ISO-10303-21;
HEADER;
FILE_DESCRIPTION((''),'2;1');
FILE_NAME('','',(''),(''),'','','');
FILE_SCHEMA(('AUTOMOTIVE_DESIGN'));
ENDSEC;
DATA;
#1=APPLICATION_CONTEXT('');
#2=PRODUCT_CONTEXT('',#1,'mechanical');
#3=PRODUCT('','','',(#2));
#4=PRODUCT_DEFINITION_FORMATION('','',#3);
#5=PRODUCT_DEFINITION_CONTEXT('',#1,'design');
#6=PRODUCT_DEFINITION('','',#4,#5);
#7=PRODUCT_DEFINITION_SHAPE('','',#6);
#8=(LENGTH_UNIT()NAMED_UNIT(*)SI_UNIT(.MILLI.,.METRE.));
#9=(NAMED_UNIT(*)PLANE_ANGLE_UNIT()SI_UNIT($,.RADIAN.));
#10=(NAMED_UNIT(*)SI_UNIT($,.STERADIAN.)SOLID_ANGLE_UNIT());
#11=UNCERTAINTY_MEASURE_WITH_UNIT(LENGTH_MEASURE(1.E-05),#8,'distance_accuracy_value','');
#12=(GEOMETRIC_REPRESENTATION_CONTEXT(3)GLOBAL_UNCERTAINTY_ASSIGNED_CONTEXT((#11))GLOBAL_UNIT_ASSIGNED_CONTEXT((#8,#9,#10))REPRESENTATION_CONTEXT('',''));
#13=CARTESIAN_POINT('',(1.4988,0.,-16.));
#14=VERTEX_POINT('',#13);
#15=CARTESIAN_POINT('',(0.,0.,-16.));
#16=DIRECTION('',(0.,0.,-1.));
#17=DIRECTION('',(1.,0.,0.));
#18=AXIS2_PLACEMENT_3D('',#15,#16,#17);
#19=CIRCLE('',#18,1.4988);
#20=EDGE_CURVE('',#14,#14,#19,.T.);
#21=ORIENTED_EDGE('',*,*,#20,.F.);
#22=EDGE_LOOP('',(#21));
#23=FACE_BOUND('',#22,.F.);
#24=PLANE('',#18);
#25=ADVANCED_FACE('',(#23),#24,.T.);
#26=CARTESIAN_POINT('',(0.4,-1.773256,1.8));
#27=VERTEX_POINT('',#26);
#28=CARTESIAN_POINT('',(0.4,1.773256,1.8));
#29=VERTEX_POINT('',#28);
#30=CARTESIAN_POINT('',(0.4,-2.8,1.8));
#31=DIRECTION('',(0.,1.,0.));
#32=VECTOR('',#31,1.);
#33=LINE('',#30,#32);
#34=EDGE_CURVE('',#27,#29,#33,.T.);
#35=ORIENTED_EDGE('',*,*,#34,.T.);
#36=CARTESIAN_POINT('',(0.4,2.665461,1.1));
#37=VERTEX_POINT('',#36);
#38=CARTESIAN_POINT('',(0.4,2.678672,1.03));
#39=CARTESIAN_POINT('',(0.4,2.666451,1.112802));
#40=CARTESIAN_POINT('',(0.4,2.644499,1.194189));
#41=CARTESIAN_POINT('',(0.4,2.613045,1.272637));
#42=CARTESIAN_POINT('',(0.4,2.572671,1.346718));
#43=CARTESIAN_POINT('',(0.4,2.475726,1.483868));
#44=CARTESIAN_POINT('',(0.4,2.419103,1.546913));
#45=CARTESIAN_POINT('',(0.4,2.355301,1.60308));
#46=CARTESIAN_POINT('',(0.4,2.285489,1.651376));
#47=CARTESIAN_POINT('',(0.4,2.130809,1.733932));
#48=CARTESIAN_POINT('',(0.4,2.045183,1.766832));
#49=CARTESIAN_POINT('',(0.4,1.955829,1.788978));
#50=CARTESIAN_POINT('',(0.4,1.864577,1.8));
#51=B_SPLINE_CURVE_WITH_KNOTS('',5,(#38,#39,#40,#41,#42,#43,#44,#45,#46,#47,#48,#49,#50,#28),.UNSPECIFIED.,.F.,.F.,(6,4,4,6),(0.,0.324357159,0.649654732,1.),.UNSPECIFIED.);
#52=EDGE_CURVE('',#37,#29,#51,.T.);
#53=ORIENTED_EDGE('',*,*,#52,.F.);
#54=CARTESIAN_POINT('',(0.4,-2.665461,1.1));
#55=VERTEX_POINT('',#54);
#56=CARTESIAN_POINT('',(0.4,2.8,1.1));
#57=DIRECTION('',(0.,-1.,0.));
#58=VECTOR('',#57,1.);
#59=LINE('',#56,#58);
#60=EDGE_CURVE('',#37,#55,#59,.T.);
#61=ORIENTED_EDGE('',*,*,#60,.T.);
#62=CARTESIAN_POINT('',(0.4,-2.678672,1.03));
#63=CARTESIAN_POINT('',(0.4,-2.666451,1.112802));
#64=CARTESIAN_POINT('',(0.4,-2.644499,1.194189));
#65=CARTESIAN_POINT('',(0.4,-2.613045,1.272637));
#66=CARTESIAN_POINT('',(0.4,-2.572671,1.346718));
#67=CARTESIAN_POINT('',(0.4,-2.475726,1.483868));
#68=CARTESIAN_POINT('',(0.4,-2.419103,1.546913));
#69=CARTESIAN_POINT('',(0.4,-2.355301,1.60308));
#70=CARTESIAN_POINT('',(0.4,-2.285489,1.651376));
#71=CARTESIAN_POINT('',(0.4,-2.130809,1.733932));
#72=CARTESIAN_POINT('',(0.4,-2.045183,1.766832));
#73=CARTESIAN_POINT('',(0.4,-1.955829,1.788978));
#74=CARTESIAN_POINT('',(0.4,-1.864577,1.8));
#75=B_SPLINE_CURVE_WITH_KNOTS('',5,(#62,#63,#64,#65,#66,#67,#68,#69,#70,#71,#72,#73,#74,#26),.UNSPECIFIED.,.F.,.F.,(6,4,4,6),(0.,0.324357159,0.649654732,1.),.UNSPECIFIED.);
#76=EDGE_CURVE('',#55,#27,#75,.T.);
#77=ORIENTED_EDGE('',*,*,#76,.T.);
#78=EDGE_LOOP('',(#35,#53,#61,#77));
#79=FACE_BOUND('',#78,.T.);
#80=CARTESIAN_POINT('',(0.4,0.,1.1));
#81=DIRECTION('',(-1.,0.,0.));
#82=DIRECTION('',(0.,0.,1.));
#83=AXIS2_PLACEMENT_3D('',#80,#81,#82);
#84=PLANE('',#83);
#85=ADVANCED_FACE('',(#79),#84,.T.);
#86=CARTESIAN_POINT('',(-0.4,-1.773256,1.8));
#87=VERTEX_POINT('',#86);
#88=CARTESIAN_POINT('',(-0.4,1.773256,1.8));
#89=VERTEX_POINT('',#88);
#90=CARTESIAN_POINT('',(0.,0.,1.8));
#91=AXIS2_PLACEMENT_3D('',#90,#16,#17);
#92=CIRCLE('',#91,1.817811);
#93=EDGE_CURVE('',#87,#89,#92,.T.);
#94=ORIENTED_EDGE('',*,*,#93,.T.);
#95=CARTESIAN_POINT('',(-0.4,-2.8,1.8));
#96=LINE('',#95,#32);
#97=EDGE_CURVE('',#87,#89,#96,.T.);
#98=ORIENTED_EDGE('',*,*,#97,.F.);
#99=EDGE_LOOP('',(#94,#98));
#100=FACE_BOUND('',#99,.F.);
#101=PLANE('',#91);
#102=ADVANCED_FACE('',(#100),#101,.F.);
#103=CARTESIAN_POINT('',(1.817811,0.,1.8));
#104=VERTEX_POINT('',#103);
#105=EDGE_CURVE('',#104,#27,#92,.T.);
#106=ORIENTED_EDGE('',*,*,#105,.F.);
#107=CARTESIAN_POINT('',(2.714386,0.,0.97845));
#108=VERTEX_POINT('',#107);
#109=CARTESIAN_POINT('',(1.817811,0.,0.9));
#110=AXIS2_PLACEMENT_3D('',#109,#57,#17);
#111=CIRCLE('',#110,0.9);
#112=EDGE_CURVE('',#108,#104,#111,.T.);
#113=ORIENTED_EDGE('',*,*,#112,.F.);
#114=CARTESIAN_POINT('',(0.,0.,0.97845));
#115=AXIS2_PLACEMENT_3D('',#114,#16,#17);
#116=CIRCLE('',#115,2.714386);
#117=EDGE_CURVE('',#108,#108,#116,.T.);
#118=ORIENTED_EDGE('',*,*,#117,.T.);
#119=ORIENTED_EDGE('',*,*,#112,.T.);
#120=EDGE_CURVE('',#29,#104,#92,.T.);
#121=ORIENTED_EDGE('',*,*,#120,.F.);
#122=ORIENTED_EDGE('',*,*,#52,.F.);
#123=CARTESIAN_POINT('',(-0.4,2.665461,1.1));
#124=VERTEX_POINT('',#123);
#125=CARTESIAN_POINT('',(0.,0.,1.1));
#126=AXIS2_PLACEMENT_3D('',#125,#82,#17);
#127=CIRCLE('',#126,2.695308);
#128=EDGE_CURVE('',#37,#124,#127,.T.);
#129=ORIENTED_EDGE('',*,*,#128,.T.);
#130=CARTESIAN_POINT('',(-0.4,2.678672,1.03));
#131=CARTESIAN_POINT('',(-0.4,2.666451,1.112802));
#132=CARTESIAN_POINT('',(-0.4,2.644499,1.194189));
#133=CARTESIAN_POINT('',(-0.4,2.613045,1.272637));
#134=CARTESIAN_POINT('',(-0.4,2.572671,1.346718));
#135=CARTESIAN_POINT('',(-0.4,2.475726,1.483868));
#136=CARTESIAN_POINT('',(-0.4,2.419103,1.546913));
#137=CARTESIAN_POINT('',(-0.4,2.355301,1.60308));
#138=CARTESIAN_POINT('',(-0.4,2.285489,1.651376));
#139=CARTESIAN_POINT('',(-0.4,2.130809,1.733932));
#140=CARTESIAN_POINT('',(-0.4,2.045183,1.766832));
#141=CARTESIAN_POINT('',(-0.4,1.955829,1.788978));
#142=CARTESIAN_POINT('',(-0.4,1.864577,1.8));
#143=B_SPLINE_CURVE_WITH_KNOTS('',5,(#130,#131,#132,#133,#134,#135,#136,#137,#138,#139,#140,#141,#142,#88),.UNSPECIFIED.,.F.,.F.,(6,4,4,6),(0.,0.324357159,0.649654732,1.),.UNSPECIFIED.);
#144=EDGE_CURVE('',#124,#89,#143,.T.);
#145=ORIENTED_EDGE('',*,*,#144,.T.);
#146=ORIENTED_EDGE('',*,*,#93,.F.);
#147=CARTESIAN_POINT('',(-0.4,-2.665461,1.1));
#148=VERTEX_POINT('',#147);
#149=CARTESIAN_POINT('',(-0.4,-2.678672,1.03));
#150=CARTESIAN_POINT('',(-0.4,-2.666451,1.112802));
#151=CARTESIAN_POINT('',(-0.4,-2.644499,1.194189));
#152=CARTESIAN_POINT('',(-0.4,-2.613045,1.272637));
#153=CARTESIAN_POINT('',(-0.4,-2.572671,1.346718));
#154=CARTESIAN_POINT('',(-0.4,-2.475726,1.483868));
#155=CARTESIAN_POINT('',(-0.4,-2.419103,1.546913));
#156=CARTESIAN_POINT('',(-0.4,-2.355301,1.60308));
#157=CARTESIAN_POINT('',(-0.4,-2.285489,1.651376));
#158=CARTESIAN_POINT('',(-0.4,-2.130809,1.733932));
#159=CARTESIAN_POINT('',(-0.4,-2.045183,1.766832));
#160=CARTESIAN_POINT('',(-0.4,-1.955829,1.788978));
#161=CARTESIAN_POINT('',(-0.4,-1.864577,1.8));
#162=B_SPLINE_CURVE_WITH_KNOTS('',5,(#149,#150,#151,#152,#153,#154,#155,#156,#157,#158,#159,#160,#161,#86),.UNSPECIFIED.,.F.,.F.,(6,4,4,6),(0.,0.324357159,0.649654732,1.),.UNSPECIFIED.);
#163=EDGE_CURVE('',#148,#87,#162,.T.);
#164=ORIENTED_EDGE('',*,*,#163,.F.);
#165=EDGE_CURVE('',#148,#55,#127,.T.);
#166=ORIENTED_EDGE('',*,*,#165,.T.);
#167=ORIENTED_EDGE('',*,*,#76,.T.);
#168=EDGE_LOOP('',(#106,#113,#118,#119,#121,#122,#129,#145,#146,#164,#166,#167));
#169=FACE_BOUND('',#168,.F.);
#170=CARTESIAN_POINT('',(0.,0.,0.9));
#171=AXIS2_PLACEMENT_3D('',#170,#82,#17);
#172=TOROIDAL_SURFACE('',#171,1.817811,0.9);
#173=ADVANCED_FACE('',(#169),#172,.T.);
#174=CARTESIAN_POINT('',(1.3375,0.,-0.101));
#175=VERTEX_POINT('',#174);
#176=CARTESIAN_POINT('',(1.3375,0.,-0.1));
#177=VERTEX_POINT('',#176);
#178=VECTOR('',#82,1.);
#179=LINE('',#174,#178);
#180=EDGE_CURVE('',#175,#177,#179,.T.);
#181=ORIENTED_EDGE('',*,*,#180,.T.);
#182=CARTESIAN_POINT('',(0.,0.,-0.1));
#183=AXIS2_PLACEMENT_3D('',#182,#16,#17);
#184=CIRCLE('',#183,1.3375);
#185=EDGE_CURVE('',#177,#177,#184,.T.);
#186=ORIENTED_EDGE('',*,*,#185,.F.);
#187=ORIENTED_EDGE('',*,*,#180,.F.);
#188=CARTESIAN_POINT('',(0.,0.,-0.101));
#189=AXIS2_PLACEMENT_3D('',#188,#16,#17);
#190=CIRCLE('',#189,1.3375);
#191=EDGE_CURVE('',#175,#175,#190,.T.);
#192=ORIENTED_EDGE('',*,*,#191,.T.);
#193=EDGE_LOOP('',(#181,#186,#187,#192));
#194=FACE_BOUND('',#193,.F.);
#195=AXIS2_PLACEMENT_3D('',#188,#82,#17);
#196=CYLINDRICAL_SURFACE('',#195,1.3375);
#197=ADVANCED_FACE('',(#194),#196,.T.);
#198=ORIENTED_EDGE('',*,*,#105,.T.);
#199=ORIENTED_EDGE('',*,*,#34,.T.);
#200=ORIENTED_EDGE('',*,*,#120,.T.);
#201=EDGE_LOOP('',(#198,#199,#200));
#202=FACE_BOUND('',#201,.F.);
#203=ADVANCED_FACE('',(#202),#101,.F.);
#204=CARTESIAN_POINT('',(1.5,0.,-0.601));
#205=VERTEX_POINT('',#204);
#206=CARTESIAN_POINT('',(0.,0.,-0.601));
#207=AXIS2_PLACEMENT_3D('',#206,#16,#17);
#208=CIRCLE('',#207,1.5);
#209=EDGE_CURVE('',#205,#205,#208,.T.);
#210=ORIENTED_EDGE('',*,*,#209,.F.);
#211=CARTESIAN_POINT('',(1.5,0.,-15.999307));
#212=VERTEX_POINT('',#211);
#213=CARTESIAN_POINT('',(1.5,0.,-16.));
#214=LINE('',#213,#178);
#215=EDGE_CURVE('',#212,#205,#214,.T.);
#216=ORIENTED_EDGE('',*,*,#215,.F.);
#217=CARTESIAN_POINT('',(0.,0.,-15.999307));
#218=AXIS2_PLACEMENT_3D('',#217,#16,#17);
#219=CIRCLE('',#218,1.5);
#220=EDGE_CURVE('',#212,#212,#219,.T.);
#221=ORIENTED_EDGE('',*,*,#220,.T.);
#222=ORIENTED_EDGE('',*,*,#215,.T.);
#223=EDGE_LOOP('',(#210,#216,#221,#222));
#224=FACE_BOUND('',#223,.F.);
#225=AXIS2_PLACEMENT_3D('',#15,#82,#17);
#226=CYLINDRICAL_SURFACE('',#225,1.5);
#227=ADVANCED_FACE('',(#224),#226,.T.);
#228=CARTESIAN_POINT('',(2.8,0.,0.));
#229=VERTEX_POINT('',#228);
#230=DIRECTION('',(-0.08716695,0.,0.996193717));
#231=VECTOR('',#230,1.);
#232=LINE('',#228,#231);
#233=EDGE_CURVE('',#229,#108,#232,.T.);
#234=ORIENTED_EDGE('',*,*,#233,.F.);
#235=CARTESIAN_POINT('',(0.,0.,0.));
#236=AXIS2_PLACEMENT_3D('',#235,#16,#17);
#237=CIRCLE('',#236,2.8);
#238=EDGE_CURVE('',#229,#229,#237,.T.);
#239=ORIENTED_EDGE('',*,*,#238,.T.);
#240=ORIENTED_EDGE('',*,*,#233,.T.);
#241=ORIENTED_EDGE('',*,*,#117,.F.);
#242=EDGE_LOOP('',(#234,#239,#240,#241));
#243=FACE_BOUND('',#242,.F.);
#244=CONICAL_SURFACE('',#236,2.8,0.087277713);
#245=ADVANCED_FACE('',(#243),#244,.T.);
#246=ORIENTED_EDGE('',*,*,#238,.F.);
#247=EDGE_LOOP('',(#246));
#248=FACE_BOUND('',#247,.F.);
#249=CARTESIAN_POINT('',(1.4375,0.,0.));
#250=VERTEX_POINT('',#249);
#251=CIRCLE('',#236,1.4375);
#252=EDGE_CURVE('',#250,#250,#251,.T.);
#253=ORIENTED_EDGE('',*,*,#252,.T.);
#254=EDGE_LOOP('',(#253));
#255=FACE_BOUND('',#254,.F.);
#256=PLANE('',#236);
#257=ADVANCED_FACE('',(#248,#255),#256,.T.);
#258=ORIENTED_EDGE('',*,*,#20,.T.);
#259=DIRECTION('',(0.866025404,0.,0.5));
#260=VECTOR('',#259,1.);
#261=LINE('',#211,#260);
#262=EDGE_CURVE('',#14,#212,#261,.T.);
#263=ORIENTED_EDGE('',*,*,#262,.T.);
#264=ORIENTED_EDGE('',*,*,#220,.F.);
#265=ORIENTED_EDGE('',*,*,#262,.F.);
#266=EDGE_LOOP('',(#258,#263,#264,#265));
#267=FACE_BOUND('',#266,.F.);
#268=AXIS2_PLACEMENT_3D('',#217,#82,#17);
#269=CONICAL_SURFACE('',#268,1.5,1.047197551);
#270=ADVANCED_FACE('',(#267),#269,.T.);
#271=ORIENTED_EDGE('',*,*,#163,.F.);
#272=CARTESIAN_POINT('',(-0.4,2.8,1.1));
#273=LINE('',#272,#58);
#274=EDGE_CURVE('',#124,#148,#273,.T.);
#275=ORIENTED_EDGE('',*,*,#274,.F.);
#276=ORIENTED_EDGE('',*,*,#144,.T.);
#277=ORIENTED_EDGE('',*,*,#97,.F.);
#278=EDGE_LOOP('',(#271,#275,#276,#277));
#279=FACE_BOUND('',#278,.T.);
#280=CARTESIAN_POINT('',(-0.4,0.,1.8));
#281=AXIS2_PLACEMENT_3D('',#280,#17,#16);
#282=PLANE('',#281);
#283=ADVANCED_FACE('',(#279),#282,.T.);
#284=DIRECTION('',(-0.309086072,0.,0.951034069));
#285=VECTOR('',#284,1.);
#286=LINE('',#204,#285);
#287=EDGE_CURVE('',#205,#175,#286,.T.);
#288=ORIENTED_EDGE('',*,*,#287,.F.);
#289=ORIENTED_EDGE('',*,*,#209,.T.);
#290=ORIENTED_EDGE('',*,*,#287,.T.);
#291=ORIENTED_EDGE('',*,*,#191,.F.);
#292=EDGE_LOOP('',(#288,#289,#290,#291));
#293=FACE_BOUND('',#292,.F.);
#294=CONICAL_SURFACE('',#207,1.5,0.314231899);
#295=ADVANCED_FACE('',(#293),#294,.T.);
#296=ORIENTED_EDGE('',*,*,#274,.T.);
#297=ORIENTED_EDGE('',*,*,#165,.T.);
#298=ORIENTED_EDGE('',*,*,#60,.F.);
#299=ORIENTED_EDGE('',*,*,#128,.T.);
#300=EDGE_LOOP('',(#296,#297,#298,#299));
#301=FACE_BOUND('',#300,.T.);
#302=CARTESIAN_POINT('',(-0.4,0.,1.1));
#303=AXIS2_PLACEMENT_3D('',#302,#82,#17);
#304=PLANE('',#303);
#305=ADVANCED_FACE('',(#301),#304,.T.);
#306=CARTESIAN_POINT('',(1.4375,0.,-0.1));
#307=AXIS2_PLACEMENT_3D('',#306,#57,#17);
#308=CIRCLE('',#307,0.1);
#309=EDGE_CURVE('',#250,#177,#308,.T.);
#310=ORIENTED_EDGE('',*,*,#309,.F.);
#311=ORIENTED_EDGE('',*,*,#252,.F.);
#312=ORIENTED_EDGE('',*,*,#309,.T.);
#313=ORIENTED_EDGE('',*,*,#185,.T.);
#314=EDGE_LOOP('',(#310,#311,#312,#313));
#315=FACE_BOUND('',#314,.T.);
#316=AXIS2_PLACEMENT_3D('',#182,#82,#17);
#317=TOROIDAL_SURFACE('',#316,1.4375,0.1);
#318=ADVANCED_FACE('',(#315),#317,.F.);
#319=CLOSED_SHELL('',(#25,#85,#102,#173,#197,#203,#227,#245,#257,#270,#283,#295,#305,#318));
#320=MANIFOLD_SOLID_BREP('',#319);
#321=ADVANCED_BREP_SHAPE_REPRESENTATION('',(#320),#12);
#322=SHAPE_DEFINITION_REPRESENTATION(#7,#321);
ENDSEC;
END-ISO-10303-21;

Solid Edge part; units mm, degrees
sketch "Sketch1" plane through (0, 0, 0) normal (0, -1, 0) x (1, 0, 0)
  line L0 (0, -16) -> (1.5, -16)
  line L1 (1.5, -16) -> (1.5, -0.601)
  line L2 (1.5, -0.601) -> (1.3375, -0.101)
  line L3 (1.3375, -0.101) -> (1.3375, 0)
  line L4 (1.3375, 0) -> (2.8, 0)
  line L5 (2.8, 0) -> (2.6425, 1.8)
  line L6 (2.6425, 1.8) -> (0, 1.8)
  dimension "D1" = 1.5
  dimension "D2" = 1.3375
  dimension "D3" = 16
  dimension "D4" = 15.399
  dimension "D5" = 0.5
  dimension "D6" = 2.8
  dimension "D7" = 1.8
revolve "RevolvedProtrusion1" add sketch "Sketch1" angle 360 about axis through (0, 0, 6) along (0, 0, -1)
fillet "Round_1" radius 0.9 1 edges at (-2.6425, 0, 1.8)
sketch "Sketch2" plane through (0, 0, 0) normal (0, -1, 0) x (1, 0, 0)
  line L0 (-0.4, 1.8) -> (-0.4, 1.1)
  line L1 (-0.4, 1.1) -> (0.4, 1.1)
  line L2 (0.4, 1.1) -> (0.4, 1.8)
  line L3 (0.4, 1.8) -> (-0.4, 1.8)
  dimension "D1" = 0.8
  dimension "D2" = 0.7
  dimension "D3" = 1.8
extrude "ExtrudedCutout_1" cut sketch "Sketch2" along normal mid plane 5.6
cosmetic_thread "Thread_1" size "M3" thread depth 15.399
fillet "Round_2" radius 0.1 1 edges at (-1.3375, 0, 0)
chamfer "Chamfer_1" distance 0.0012 angle 30 1 edges at (-1.5, 0, -16) measured on face at (1.03, 0.97, -16)
properties material "Steel"
